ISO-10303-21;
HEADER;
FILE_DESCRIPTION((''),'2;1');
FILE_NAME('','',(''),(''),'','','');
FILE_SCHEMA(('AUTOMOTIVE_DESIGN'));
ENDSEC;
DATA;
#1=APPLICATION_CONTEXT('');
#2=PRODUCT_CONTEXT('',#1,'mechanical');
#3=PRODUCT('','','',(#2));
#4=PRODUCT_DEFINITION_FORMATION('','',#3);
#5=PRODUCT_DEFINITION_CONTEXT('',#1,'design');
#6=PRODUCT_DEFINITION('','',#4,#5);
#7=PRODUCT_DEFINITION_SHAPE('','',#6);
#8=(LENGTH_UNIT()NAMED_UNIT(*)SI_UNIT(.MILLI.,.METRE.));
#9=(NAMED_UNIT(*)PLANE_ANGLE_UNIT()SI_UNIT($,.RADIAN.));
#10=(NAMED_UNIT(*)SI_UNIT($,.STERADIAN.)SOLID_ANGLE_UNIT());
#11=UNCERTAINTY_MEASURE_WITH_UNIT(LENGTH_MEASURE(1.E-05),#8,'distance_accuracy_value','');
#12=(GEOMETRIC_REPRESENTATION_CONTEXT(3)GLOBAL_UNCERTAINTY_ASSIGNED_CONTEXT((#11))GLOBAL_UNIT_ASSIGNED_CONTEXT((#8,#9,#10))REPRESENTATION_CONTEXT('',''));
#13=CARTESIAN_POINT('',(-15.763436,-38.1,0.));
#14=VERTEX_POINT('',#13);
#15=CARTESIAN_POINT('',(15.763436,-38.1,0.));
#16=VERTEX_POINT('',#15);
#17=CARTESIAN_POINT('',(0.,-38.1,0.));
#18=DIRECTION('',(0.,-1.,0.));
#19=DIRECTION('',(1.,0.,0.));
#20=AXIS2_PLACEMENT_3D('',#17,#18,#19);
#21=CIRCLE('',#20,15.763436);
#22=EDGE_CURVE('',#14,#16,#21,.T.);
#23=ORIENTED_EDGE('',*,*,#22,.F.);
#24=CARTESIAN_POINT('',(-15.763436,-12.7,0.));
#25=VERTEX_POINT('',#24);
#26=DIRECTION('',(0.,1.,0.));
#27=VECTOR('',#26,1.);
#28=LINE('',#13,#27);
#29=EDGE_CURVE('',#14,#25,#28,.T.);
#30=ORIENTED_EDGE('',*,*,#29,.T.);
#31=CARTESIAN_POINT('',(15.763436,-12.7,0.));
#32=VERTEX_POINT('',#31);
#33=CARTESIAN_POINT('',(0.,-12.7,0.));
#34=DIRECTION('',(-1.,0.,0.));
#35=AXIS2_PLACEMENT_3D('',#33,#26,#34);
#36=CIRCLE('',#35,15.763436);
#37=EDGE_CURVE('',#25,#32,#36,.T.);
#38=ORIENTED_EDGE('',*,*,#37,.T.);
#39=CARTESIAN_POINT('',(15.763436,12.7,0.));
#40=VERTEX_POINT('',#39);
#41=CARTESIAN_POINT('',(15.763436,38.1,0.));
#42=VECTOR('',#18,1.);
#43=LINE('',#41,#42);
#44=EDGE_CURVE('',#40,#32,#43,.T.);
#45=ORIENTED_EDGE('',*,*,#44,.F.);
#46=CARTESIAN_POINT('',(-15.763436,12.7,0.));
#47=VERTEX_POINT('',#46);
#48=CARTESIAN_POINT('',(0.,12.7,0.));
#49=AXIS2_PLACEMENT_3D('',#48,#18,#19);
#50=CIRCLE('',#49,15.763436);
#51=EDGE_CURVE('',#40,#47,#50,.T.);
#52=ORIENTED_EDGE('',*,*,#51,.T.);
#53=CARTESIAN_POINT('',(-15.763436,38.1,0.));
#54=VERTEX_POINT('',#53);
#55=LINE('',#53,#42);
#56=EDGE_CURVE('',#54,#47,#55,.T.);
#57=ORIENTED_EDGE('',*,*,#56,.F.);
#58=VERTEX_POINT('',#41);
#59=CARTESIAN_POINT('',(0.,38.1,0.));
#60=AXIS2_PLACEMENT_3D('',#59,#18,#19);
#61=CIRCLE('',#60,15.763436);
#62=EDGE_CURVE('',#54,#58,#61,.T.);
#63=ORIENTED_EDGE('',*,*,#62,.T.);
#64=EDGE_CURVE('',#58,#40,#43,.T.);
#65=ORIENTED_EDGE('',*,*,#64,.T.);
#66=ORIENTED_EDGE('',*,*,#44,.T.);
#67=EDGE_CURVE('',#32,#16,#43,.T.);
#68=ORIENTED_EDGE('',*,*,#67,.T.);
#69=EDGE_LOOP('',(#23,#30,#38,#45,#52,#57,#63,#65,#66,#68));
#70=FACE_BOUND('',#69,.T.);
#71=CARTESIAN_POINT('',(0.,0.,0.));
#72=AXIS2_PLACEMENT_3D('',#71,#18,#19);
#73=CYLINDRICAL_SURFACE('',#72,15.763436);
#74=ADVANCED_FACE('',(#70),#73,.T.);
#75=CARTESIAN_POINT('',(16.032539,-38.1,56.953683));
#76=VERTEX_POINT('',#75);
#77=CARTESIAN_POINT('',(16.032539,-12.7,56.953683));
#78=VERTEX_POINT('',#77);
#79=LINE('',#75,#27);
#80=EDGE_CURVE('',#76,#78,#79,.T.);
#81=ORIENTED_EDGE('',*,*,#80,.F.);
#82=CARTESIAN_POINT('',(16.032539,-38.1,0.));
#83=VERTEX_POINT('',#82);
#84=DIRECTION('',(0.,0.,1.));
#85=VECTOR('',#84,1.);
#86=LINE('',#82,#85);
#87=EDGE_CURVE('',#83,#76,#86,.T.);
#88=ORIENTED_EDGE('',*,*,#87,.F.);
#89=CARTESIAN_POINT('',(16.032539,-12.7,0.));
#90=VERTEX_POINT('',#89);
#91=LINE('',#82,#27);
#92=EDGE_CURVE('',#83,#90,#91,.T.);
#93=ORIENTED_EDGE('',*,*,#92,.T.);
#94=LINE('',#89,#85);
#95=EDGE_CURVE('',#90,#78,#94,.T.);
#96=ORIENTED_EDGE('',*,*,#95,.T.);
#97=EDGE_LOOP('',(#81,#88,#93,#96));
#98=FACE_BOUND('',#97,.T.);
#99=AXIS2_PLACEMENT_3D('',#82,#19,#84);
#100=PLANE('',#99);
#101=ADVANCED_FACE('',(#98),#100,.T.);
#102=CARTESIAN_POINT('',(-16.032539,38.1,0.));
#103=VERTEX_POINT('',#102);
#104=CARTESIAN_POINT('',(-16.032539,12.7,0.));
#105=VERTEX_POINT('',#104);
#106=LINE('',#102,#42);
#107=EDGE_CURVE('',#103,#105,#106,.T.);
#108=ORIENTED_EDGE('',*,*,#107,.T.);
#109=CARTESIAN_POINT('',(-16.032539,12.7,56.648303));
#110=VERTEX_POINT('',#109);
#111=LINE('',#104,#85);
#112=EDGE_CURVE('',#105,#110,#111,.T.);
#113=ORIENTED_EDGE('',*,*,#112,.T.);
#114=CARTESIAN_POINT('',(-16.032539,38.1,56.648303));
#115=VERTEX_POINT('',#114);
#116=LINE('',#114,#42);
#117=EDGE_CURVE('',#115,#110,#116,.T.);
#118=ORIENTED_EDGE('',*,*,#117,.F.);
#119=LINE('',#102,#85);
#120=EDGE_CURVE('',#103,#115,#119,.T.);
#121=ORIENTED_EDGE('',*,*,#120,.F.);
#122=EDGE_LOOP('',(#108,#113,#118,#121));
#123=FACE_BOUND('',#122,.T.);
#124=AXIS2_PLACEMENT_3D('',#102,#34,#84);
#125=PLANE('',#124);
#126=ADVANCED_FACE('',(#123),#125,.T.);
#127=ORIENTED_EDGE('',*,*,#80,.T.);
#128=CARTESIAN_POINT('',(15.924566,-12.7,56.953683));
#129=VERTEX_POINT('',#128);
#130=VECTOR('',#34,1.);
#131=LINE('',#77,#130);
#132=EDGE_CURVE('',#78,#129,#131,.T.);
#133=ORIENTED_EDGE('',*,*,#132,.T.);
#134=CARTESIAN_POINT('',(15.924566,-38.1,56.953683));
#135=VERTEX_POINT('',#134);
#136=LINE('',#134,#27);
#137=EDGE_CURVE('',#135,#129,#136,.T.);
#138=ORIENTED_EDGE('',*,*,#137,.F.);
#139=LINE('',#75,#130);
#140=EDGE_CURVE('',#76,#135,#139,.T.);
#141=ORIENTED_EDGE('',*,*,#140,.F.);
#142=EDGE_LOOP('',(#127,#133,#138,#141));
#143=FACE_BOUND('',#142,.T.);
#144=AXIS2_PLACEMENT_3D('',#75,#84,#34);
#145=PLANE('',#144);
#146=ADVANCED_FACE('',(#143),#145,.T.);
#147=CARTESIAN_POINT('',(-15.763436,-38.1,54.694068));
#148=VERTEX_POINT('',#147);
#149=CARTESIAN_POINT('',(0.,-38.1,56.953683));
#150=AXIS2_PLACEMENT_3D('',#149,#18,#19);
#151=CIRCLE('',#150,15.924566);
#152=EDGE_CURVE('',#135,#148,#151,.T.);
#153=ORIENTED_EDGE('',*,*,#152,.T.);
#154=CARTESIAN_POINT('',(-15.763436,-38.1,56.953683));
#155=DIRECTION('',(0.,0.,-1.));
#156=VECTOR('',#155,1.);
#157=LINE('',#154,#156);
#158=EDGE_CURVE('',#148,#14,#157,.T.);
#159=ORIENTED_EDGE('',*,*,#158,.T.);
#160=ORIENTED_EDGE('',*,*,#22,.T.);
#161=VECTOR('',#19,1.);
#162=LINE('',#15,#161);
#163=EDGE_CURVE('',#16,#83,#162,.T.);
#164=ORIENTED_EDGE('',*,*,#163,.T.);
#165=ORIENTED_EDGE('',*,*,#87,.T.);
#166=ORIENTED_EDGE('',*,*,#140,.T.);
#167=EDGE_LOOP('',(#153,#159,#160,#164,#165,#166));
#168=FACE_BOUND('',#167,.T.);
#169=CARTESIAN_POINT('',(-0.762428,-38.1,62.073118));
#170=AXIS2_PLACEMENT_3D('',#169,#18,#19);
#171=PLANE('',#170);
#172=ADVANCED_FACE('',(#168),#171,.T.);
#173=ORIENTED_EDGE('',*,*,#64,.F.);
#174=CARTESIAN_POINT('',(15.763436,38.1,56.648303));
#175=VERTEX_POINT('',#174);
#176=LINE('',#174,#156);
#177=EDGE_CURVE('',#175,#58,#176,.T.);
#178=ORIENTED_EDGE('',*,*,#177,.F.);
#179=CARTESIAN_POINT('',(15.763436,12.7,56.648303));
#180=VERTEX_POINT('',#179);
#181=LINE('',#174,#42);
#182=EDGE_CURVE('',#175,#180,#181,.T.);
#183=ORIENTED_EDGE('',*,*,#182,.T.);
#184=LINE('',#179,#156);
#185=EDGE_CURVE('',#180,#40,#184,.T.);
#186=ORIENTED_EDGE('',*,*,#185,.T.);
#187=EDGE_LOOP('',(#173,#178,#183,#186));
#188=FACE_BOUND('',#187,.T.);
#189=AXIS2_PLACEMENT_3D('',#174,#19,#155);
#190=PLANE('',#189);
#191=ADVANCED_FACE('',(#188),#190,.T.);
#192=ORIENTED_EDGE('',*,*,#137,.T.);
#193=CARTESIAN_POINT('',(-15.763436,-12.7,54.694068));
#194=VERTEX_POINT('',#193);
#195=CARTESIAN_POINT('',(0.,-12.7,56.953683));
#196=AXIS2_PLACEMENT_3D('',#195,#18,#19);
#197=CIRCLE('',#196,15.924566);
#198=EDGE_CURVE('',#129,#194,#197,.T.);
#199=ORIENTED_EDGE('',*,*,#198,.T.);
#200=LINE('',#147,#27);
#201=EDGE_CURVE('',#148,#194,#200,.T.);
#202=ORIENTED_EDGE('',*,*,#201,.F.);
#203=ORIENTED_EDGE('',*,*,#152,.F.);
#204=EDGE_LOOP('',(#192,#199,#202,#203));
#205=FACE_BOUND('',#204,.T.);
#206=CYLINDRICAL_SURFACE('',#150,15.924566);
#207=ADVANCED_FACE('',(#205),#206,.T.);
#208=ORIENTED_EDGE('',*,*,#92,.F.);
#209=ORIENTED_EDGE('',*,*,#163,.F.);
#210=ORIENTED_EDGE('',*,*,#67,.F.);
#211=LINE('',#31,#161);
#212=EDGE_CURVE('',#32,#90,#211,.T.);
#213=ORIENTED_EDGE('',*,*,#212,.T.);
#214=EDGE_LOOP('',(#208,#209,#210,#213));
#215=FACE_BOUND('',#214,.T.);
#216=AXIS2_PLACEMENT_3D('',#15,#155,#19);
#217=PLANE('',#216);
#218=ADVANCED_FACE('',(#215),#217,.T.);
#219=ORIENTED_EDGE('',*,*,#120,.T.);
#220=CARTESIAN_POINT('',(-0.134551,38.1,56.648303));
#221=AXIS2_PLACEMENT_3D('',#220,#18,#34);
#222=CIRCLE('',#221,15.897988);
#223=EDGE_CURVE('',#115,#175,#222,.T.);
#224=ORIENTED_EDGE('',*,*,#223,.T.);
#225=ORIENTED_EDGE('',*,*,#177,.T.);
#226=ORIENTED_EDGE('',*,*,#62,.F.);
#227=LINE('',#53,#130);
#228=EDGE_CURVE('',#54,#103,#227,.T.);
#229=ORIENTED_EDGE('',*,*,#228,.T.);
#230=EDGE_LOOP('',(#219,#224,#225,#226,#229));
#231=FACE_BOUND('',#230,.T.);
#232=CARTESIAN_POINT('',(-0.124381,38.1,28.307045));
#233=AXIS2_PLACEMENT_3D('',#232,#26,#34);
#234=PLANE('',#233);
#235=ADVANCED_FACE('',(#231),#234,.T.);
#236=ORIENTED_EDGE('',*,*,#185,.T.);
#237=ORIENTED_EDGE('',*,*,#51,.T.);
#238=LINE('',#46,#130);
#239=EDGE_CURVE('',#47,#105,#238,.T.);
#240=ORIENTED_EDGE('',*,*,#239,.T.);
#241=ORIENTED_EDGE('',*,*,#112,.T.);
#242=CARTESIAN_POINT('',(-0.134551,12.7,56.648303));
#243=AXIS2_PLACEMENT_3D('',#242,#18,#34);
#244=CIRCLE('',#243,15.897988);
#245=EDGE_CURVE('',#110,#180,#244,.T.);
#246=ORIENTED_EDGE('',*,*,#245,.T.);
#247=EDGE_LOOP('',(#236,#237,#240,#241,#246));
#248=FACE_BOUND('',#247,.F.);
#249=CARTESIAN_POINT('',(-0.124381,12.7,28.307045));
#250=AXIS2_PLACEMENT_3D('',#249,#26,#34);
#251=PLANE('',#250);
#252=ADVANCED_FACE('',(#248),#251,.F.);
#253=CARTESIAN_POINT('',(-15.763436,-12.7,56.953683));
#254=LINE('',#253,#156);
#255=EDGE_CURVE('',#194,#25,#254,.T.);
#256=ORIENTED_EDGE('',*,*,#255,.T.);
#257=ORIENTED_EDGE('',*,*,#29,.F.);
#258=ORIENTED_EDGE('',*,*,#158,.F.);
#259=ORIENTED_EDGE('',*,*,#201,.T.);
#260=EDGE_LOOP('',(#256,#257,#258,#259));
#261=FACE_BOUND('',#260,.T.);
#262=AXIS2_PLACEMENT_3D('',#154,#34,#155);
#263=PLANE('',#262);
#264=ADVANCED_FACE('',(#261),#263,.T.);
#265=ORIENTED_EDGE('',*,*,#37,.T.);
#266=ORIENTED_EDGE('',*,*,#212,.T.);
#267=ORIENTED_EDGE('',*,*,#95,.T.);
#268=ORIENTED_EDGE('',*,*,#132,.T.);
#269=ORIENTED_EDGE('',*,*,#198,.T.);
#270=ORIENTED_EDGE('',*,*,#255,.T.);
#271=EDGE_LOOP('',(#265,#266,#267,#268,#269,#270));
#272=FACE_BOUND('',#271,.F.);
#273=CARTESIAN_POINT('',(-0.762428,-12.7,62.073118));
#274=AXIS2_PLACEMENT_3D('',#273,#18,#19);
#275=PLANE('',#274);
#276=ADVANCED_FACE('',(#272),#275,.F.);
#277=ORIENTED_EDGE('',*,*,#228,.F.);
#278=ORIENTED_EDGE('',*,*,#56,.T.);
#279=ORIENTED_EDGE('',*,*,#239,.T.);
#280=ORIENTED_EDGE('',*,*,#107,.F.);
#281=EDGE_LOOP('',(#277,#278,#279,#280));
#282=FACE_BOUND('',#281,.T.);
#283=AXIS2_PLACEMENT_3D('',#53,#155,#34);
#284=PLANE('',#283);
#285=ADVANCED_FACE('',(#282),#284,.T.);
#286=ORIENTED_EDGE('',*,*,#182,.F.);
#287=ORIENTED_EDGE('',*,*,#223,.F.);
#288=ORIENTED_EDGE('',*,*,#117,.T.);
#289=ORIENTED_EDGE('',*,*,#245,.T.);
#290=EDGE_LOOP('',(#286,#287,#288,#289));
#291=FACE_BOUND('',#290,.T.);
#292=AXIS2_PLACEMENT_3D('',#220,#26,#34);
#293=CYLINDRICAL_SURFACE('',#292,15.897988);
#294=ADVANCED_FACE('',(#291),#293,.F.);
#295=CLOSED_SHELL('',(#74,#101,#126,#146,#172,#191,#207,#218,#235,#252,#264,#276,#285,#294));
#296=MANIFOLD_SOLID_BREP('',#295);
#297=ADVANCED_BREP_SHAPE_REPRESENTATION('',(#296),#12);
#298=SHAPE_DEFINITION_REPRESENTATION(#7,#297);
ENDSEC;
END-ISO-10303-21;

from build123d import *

# Parameters (mm, degrees)
F0_R     = 15.7634364534
F1_DEPTH = 38.1
F2_DEPTH = 38.1
F6_DEPTH = 25.4
F7_DEPTH = 25.4
F8_DEPTH = 25.4


with BuildPart() as f1:
    # F0 (on Front) → F1 (new body)
    with BuildSketch(Plane.XZ):
        Circle(F0_R)
    extrude(amount=F1_DEPTH)

    # F2 (add): a face of the model
    f2_faces = [f1.faces().sort_by_distance(p)[0] for p in [
        (0, 0, 0),
    ]]
    extrude(f2_faces, amount=F2_DEPTH)

    # F5 (on face) → F6 (join)
    with BuildSketch(Plane(origin=(0, 38.1, 0), x_dir=(-1, 0, 0), z_dir=(0, 1, 0))):
        with BuildLine():
            Line((-15.7634364534, 56.6483028233), (-15.7634364534, 0))
            ThreePointArc((-15.7634364534, 0), (0, 15.7634364534), (15.7634364534, 0))
            Line((15.7634364534, 0), (16.0325393081, 0))
            Line((16.0325393081, 0), (16.0325393081, 56.6483028233))
            ThreePointArc((16.0325393081, 56.6483028233), (0.1345514273, 40.7503149426), (-15.7634364534, 56.6483028233))
        make_face()
    extrude(amount=-F6_DEPTH)

    # F3 (on face) → F7 (join)
    with BuildSketch(Plane.XZ.offset(38.1)):
        with BuildLine():
            Line((-15.7634364534, 56.9536834955), (-15.7634364534, 0))
            ThreePointArc((-15.7634364534, 0), (0, 15.7634364534), (15.7634364534, 0))
            Line((15.7634364534, 0), (16.0325393081, 0))
            Line((16.0325393081, 0), (16.0325393081, 56.9536834955))
            Line((16.0325393081, 56.9536834955), (-15.7634364534, 56.9536834955))
        make_face()
    extrude(amount=-F7_DEPTH)

    # F4 (on face) → F8 (join)
    with BuildSketch(Plane.XZ.offset(38.1)):
        with BuildLine():
            Line((-15.7634364534, 56.9536834955), (15.9245655957, 56.9536834955))
            ThreePointArc((15.9245655957, 56.9536834955), (-1.132676387, 72.837915728), (-15.7634364534, 54.6940683534))
            Line((-15.7634364534, 54.6940683534), (-15.7634364534, 56.9536834955))
        make_face()
    extrude(amount=-F8_DEPTH)


solid = f1.part
